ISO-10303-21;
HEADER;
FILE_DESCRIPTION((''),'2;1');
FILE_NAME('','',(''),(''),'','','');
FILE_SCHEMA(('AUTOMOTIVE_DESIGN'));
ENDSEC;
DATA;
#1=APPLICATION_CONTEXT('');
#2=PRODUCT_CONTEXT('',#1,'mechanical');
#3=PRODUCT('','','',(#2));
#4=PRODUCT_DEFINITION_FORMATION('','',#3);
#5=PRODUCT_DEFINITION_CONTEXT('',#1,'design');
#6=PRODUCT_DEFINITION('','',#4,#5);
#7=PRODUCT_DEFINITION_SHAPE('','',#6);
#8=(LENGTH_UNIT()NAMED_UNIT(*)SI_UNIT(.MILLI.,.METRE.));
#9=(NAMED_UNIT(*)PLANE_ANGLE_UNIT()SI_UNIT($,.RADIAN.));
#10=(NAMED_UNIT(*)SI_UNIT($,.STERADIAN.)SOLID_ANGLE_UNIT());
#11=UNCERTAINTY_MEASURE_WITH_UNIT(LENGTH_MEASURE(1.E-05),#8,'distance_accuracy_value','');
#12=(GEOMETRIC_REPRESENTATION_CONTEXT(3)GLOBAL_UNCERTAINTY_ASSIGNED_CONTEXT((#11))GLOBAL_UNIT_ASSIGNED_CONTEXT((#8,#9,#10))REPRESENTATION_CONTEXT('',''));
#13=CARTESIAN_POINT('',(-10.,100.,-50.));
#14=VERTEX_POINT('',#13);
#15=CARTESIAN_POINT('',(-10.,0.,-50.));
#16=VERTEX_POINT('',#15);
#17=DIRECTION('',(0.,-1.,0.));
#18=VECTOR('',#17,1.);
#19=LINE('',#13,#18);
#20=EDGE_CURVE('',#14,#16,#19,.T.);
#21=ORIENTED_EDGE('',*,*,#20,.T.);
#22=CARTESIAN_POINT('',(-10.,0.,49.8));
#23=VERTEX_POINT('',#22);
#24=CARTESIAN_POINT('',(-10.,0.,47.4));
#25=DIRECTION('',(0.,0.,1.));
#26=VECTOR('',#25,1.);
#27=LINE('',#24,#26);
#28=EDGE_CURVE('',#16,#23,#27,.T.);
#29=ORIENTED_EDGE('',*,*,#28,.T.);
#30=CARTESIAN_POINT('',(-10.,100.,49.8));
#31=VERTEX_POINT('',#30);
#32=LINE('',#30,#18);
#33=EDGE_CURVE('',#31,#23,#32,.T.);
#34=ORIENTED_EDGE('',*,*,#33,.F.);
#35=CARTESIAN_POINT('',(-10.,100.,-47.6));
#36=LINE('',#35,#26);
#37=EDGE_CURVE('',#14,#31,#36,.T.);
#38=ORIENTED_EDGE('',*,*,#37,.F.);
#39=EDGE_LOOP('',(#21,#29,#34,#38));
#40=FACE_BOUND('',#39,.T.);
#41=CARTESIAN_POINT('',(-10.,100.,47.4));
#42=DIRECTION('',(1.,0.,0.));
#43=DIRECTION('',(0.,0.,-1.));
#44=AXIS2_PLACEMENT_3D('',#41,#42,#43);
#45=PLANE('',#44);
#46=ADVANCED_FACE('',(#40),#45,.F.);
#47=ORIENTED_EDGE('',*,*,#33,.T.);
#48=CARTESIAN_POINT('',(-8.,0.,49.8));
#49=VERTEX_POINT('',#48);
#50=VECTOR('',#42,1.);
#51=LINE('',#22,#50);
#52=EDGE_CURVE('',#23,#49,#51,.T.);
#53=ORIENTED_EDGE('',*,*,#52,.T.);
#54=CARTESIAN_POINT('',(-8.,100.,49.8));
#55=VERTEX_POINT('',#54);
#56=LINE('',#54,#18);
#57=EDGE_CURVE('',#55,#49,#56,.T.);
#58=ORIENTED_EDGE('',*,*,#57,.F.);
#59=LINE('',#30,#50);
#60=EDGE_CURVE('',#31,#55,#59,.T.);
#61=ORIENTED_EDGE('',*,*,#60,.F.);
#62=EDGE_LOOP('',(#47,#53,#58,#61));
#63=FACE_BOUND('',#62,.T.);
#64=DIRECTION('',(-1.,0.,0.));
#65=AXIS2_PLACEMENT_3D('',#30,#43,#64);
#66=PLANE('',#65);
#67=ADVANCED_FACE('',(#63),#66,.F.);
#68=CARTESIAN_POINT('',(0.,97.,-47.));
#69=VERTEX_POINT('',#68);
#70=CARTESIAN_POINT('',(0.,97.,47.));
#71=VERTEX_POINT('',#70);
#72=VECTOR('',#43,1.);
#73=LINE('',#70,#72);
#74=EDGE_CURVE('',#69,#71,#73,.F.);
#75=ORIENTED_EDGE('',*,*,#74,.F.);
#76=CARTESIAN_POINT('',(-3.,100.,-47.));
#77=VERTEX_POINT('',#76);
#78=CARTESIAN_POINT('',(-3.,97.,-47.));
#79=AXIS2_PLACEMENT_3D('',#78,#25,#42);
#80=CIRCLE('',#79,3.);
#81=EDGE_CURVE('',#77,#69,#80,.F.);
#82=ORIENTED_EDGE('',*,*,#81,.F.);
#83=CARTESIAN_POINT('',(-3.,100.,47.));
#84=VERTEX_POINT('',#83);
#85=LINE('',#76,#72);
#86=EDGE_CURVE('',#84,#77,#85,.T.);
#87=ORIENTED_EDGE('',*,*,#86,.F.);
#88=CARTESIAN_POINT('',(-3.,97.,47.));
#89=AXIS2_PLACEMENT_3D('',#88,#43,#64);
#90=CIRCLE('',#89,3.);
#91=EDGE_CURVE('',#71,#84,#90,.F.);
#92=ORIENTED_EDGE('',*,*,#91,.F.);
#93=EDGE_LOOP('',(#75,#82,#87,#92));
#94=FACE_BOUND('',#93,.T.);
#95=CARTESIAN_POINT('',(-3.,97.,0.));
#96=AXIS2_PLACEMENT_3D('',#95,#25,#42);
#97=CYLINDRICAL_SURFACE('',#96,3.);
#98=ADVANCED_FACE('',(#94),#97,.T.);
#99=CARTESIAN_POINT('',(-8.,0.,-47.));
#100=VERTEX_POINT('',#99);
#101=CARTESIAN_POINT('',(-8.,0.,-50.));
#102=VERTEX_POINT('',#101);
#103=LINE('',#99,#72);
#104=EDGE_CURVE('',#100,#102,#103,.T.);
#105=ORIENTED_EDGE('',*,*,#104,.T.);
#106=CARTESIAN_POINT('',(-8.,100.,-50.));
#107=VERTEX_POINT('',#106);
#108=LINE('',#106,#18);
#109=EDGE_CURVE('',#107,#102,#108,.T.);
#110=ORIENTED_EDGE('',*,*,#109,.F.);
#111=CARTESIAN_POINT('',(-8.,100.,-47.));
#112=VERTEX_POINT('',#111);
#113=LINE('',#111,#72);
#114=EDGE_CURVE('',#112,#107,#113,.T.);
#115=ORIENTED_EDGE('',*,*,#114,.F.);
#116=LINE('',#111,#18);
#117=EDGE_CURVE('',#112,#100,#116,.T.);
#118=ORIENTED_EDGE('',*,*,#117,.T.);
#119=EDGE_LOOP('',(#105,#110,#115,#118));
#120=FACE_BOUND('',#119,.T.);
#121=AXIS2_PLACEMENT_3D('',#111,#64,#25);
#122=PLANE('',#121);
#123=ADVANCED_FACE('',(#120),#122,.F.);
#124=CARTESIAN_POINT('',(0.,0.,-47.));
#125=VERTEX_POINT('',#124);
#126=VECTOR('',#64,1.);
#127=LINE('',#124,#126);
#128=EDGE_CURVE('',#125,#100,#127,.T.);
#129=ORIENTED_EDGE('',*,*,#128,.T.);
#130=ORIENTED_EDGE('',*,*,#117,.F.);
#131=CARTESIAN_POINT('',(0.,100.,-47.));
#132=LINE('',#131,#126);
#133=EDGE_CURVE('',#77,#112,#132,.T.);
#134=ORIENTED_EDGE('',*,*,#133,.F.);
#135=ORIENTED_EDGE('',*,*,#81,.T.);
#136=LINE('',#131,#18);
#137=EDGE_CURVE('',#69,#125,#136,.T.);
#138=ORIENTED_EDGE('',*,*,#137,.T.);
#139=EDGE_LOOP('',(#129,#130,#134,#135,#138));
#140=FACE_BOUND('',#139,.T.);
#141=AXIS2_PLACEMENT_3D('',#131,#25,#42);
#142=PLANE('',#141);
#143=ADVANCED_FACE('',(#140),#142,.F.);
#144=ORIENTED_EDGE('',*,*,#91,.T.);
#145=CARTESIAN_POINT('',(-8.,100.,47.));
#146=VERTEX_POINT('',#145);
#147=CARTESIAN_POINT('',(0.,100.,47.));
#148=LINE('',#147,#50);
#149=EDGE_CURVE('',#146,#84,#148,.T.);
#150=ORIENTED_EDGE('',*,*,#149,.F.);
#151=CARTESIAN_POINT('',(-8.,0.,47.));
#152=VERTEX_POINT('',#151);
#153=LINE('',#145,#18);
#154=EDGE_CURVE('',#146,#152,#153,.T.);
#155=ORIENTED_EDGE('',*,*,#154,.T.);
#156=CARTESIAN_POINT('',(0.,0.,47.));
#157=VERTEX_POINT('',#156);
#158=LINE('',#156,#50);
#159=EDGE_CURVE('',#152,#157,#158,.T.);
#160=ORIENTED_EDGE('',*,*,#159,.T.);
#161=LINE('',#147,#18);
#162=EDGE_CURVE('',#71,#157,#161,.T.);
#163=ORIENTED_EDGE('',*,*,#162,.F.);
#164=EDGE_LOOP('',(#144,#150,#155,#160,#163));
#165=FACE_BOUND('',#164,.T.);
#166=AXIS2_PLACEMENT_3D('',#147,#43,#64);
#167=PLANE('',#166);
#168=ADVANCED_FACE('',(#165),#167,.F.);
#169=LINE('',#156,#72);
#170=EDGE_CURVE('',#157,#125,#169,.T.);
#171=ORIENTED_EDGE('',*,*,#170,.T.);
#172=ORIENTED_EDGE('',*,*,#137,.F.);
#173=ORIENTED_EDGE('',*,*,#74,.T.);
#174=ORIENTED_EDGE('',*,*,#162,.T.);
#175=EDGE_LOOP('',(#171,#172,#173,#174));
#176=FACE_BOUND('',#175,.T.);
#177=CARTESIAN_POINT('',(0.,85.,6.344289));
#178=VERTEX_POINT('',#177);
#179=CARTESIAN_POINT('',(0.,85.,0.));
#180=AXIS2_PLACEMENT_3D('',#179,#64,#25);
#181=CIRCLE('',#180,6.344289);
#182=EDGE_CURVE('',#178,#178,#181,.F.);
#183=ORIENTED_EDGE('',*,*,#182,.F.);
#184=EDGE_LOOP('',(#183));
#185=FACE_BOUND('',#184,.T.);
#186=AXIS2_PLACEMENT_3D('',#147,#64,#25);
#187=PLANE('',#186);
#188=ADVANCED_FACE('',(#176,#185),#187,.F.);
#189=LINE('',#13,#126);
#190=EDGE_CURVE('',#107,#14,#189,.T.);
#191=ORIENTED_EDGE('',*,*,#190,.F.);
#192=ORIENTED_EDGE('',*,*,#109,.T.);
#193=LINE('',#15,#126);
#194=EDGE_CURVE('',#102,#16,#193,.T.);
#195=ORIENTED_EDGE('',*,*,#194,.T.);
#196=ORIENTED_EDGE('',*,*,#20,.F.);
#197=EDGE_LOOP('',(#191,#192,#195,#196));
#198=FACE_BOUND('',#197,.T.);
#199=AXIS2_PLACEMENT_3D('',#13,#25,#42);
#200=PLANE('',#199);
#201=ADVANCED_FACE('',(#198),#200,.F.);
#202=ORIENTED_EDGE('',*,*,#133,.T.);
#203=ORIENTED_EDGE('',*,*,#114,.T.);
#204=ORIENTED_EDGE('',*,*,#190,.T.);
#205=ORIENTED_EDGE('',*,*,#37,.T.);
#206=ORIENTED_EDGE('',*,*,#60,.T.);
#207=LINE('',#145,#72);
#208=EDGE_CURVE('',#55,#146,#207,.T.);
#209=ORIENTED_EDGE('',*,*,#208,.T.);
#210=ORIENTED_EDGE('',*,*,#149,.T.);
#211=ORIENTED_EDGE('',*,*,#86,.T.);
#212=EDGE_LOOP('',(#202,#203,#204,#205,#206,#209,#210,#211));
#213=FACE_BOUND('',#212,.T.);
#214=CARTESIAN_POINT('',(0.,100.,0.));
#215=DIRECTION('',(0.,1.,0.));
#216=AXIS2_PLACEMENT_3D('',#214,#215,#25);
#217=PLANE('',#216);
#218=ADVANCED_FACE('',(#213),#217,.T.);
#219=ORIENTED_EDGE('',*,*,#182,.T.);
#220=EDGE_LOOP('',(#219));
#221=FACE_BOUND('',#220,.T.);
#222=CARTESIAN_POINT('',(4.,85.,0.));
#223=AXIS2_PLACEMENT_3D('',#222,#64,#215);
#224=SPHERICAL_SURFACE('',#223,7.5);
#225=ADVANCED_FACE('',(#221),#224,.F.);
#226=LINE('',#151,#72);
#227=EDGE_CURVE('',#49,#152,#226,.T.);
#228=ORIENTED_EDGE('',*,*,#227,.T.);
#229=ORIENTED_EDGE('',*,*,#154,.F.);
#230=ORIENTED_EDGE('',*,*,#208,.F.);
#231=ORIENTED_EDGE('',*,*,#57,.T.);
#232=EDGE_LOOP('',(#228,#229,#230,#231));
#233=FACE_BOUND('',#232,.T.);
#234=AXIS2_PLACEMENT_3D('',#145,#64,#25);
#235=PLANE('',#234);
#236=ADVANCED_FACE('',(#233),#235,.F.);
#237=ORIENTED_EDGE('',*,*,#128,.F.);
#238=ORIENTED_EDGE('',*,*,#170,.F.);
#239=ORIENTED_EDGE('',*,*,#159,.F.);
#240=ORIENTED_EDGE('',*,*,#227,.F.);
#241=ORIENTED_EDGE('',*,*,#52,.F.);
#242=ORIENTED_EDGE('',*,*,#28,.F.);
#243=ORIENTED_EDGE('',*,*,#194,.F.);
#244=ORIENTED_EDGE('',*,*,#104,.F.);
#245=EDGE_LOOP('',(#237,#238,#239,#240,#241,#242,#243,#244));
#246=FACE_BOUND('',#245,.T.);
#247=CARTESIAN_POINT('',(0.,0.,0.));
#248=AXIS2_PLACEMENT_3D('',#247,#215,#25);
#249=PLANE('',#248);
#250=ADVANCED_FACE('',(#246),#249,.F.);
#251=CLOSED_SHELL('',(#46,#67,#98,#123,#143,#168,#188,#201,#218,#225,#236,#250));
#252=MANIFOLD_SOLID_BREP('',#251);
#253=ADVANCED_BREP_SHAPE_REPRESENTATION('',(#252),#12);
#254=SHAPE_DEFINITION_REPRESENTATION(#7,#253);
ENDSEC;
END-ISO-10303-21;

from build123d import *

# Parameters (mm, degrees)
BOSS_EXTRUDE1_DEPTH = 100
FILLET2_R           = 3


with BuildPart() as part:
    # Sketch2 → Boss-Extrude1 (new body)
    with BuildSketch(Plane(origin=(0, 0, 0), x_dir=(1, 0, 0), z_dir=(0, 1, 0))):
        Polygon((0, -47), (-8, -47), (-8, -49.8), (-10, -49.8), (-10, -47.4), (-10, 47.6), (-10, 50), (-8, 50), (-8, 47), (0, 47), align=None)
    extrude(amount=BOSS_EXTRUDE1_DEPTH)

    # Fillet2
    fillet2_edges = [part.edges().sort_by_distance(p)[0] for p in [
        (0, 100, 0),
    ]]
    fillet(fillet2_edges, radius=FILLET2_R)

    # Sketch3 → Cut-Revolve1 (revolve, cut)
    with BuildSketch(Plane.XY):
        with BuildLine():
            Line((-3.5, 85), (11.5, 85))
            ThreePointArc((11.5, 85), (4, 92.5), (-3.5, 85))
        make_face()
    revolve(axis=Axis((-3.5, 85, 0), (1, 0, 0)), mode=Mode.SUBTRACT)


solid = part.part
